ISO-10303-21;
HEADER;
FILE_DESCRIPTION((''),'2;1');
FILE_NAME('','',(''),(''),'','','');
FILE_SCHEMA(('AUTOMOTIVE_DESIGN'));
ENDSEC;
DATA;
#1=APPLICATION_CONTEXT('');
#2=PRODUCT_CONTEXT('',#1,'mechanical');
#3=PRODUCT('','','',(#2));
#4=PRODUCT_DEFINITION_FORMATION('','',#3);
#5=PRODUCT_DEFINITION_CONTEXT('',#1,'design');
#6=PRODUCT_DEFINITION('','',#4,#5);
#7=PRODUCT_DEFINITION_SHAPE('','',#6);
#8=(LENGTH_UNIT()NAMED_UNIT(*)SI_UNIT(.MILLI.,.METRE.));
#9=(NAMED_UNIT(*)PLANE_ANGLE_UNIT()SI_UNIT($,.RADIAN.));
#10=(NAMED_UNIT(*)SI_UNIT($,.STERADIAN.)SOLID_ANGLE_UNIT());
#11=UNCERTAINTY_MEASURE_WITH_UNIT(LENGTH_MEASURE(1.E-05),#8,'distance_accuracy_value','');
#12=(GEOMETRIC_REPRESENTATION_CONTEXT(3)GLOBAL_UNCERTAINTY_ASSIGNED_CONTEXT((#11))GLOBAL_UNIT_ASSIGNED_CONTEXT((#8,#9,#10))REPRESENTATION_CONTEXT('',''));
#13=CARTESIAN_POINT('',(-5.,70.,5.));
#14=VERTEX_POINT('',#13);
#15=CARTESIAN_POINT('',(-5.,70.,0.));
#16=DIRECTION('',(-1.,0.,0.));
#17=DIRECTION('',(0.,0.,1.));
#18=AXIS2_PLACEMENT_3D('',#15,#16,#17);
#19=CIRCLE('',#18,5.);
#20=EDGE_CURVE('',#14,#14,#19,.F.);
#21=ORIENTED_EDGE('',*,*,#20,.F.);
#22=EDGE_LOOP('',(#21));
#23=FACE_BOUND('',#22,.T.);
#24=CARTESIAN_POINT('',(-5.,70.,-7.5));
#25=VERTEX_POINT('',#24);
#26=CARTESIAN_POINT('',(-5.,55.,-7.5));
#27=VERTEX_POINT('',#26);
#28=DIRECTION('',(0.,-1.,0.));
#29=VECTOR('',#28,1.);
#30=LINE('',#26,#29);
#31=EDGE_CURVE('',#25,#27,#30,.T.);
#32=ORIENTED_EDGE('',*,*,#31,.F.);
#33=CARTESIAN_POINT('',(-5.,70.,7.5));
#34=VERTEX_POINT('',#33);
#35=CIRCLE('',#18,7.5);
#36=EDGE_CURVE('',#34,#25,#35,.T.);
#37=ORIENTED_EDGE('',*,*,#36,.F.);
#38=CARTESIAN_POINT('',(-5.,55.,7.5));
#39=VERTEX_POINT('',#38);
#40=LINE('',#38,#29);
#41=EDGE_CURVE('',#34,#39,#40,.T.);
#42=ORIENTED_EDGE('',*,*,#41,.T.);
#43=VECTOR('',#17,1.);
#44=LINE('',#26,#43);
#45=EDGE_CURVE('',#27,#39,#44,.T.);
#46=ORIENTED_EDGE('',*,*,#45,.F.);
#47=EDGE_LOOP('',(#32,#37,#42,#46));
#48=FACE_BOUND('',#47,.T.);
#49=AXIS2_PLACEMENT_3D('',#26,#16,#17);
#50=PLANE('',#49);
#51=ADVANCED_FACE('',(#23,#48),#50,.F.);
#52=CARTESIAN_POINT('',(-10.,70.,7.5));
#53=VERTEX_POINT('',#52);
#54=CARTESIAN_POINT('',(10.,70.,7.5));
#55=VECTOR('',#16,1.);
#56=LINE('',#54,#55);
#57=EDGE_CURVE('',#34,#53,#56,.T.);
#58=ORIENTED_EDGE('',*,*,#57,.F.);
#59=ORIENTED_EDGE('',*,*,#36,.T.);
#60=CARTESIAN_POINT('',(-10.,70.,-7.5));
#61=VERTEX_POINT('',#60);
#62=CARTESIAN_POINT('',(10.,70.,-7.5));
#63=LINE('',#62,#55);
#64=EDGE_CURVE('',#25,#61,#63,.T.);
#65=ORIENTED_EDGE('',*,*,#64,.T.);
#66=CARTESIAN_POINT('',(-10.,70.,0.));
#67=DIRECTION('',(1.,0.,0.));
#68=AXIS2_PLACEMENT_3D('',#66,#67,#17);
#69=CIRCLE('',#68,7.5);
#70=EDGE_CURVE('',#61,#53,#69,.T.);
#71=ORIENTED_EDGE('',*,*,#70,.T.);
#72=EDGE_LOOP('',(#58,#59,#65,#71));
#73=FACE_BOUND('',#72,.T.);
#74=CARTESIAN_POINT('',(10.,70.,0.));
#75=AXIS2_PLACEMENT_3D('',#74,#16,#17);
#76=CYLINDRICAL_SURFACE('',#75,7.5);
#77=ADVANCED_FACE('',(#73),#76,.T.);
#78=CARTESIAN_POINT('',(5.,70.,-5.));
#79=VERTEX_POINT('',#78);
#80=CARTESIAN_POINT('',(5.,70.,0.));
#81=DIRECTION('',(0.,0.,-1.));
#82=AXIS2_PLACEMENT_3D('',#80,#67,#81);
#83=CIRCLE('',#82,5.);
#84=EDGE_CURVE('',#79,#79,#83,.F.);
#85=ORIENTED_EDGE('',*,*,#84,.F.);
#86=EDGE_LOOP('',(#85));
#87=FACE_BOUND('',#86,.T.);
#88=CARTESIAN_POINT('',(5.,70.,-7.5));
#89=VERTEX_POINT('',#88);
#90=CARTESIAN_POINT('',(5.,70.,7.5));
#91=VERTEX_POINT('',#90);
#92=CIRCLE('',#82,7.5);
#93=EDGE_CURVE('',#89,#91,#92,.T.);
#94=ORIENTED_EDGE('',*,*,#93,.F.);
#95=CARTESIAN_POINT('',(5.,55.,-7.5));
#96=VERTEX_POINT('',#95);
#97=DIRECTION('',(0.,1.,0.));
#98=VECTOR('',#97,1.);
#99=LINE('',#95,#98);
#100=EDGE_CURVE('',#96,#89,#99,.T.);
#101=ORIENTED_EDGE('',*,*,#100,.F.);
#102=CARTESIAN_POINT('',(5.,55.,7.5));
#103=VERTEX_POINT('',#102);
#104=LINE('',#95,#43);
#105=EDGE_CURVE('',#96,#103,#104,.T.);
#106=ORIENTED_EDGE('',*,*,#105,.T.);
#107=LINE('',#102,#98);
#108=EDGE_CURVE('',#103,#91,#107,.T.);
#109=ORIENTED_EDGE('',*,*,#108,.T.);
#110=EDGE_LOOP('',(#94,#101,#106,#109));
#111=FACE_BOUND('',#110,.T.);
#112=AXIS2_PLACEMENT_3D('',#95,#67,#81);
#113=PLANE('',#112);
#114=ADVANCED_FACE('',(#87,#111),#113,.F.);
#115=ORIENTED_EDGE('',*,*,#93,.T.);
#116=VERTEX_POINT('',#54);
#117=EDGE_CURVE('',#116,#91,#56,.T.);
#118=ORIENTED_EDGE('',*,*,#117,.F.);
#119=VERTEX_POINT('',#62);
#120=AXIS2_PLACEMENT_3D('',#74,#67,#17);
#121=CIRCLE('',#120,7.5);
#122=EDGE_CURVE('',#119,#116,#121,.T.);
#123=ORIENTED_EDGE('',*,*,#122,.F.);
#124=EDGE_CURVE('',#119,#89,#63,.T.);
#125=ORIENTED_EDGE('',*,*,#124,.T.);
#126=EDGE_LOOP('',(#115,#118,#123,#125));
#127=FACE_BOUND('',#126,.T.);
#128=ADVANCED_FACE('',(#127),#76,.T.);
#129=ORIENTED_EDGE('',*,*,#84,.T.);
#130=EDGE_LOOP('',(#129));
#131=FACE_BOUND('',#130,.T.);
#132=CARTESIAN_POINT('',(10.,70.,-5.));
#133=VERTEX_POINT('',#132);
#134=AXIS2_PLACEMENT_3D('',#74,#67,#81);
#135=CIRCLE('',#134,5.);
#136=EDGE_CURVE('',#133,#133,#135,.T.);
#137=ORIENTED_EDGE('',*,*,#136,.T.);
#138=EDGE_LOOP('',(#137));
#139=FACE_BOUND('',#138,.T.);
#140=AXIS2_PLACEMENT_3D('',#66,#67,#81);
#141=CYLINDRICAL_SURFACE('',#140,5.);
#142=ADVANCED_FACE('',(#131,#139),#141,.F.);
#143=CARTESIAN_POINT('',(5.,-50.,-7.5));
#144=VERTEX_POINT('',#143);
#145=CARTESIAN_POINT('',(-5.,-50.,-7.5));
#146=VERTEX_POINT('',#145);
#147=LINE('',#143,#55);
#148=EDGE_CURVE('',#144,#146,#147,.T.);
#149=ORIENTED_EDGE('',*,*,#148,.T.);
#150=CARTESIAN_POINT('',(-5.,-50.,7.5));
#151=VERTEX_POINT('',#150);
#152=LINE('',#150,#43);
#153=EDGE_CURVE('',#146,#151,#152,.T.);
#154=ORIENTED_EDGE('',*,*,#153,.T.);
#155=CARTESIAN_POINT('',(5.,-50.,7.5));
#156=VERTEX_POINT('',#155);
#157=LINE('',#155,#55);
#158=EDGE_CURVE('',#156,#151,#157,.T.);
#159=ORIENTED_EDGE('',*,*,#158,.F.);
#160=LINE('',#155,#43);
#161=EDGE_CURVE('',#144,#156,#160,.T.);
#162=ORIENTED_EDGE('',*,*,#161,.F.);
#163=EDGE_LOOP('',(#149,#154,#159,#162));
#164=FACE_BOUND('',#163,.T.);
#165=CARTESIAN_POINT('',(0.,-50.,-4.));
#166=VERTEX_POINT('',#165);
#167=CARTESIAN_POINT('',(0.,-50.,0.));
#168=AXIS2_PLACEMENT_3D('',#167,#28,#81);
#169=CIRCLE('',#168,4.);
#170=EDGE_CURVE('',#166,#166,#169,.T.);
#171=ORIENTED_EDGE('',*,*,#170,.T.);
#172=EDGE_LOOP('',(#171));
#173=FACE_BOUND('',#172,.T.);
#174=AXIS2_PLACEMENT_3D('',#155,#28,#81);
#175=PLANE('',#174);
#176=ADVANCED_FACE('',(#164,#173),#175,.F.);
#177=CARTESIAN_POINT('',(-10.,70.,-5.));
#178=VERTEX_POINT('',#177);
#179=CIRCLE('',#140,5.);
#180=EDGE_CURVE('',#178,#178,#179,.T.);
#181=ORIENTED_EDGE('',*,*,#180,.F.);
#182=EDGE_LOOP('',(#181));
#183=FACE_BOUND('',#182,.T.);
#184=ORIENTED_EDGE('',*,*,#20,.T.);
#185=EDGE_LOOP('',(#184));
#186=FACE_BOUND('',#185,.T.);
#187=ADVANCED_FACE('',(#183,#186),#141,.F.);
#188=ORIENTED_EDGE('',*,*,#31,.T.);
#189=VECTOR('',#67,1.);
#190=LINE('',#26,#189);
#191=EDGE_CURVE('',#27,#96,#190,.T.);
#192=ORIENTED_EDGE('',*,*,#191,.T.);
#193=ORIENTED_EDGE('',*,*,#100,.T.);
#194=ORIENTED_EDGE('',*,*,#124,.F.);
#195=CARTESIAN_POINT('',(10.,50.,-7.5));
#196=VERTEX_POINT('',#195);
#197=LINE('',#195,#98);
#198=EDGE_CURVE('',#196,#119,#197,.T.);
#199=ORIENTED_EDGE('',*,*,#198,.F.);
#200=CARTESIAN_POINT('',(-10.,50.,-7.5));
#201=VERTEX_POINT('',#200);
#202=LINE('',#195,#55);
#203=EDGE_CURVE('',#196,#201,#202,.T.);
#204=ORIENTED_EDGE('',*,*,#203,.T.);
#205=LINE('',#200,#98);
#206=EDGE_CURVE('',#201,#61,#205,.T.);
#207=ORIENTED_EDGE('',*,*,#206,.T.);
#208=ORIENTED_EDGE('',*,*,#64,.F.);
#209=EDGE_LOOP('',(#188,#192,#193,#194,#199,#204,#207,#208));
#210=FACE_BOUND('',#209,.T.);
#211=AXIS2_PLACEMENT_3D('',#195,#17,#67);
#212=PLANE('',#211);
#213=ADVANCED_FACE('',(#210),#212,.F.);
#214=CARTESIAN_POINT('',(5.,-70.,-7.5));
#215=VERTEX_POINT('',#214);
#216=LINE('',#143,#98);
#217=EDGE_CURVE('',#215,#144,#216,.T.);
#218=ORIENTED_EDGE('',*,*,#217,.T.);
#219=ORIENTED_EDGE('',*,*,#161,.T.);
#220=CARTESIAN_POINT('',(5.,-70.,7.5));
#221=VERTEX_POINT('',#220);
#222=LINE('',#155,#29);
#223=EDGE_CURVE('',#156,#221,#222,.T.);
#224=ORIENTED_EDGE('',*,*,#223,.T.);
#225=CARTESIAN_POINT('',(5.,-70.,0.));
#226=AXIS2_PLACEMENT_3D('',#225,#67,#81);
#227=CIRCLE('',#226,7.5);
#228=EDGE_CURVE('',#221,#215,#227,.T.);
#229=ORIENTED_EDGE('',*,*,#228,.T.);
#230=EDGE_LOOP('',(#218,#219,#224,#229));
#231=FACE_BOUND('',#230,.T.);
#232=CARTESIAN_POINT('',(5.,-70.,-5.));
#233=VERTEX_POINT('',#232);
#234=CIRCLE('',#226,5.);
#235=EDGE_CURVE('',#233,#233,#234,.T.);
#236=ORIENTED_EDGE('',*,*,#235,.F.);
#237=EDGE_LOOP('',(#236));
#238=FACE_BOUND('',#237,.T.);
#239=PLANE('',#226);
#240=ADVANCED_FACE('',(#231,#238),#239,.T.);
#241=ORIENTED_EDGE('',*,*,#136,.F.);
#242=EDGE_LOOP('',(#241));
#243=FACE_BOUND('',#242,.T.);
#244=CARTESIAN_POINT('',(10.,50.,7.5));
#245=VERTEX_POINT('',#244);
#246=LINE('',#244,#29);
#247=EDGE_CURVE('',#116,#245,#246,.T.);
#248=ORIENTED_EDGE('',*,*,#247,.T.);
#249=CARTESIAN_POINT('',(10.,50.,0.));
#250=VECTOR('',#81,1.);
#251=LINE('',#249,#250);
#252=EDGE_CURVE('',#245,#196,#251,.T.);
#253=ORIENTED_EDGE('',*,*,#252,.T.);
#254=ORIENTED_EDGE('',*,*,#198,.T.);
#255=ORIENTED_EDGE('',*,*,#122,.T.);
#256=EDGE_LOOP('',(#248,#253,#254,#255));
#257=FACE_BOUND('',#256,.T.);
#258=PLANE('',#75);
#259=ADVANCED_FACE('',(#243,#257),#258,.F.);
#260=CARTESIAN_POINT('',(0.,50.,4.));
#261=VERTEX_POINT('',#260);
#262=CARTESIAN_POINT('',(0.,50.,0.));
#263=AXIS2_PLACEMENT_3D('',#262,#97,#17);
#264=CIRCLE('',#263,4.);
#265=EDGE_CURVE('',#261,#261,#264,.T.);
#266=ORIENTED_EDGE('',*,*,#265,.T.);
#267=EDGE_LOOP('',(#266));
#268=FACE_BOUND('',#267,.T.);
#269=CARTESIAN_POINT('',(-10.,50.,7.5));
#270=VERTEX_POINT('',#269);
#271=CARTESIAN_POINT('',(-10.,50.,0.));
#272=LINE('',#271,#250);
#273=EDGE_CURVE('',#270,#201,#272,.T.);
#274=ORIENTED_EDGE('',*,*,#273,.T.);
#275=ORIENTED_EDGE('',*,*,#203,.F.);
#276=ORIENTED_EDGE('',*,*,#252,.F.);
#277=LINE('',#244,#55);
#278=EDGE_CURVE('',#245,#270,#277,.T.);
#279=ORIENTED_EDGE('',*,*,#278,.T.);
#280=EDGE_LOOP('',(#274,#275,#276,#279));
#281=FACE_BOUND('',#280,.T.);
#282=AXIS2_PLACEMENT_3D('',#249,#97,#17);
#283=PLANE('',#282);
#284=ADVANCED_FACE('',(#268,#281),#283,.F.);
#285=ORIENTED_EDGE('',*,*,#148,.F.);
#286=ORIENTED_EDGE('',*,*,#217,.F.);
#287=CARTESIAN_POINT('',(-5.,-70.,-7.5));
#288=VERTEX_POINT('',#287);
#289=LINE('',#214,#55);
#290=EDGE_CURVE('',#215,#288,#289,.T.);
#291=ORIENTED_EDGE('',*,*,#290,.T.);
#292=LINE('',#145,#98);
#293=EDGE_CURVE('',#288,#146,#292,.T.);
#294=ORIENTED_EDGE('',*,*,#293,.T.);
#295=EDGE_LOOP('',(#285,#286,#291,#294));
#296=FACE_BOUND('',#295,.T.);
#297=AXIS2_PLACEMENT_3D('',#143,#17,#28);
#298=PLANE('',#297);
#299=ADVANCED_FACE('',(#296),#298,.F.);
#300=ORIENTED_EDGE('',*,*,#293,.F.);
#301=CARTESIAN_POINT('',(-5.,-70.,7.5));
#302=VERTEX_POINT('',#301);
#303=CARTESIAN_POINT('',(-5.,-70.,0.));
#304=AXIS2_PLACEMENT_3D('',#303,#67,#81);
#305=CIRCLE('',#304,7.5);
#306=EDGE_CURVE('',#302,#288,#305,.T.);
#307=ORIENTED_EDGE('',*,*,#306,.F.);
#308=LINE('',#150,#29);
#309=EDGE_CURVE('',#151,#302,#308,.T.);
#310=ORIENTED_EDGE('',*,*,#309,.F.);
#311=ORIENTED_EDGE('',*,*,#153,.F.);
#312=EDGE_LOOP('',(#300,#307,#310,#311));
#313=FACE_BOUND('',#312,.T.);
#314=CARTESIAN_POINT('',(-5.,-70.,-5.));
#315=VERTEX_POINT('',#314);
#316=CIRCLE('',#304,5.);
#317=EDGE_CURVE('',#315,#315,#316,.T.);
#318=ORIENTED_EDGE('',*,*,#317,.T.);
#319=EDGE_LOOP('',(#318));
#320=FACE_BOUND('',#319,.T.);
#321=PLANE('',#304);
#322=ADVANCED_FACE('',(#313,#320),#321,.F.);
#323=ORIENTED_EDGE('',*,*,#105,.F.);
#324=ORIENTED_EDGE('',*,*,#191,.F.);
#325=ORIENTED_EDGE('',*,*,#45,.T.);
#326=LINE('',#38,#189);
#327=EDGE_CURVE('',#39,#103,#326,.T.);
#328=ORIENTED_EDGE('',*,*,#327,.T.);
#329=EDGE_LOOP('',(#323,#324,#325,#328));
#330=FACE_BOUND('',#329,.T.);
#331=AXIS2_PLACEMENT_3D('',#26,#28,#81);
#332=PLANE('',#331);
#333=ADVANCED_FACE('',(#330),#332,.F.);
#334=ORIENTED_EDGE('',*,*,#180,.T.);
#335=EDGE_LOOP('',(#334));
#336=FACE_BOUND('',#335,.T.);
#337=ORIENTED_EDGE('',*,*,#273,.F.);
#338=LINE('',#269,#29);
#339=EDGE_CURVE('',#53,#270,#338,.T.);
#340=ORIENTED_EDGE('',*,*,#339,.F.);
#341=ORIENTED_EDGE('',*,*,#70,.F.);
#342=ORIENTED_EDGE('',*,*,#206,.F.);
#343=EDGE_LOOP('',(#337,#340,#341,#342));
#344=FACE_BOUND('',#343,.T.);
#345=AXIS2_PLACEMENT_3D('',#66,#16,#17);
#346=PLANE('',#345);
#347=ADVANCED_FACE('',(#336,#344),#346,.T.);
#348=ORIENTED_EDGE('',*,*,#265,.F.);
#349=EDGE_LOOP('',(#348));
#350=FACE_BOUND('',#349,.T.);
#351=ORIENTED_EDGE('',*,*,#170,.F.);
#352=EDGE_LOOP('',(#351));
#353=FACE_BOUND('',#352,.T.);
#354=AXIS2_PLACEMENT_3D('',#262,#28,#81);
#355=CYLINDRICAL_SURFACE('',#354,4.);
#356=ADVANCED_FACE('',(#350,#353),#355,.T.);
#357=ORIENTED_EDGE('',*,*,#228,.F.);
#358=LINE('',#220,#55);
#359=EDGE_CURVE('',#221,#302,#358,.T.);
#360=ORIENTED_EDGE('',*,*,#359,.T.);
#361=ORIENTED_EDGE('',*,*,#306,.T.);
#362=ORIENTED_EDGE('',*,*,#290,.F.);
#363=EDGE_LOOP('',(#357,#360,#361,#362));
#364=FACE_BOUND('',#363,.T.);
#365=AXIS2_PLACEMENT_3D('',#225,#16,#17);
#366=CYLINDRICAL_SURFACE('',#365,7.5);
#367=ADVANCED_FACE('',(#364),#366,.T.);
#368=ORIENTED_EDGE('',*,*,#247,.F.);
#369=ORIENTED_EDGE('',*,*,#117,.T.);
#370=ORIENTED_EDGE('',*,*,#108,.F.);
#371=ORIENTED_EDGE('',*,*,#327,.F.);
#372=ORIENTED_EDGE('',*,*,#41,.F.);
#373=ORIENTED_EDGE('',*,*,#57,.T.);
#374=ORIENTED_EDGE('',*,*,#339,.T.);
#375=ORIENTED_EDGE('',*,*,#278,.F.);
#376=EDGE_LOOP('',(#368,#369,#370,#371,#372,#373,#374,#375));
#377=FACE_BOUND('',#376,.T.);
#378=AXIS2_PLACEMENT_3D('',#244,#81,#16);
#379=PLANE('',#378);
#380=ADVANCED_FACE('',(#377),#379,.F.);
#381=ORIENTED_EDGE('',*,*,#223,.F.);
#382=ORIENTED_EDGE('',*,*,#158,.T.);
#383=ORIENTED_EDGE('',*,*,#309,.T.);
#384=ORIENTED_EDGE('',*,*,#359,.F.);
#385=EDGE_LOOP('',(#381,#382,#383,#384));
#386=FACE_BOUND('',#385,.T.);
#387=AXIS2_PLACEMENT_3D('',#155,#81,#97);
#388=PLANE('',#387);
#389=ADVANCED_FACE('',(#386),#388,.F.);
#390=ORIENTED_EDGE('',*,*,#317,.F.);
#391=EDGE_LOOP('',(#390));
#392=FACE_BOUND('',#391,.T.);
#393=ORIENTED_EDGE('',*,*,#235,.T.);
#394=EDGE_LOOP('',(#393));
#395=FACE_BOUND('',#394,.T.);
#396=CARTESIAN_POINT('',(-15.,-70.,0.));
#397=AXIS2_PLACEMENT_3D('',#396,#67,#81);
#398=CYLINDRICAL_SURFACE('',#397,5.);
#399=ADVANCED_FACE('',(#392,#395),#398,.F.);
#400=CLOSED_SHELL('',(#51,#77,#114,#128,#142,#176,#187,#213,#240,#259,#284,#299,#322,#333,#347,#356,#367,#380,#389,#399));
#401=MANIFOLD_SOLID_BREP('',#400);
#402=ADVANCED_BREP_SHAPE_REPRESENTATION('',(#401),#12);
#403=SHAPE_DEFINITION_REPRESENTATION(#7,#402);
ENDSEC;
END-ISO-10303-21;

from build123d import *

# Parameters (mm, degrees)
SKETCH1_R           = 4
BOSS_EXTRUDE1_DEPTH = 50
BOSS_EXTRUDE2_DEPTH = 10
SKETCH3_R           = 5
CUT_EXTRUDE1_DEPTH  = 21
SKETCH4_W           = 10
SKETCH4_H           = 22.5
CUT_EXTRUDE2_DEPTH  = 16
BOSS_EXTRUDE3_DEPTH = 5
SKETCH6_R           = 5
CUT_EXTRUDE3_DEPTH  = 20


with BuildPart() as part:
    # Sketch1 → Boss-Extrude1 (new body, symmetric)
    with BuildSketch(Plane(origin=(0, 0, 0), x_dir=(1, 0, 0), z_dir=(0, 1, 0))):
        Circle(SKETCH1_R)
    extrude(amount=BOSS_EXTRUDE1_DEPTH, both=True)

    # Sketch2 → Boss-Extrude2 (add, symmetric)
    with BuildSketch(Plane(origin=(0, 0, 0), x_dir=(0, 0, -1), z_dir=(1, 0, 0))):
        with BuildLine():
            Line((0, 50), (7.5, 50))
            Line((7.5, 50), (7.5, 70))
            ThreePointArc((7.5, 70), (0, 77.5), (-7.5, 70))
            Line((-7.5, 70), (-7.5, 50))
            Line((-7.5, 50), (0, 50))
        make_face()
    extrude(amount=BOSS_EXTRUDE2_DEPTH, both=True)

    # Sketch3 → Cut-Extrude1 (cut, through all)
    with BuildSketch(Plane(origin=(10, 0, 0), x_dir=(0, 0, -1), z_dir=(1, 0, 0))):
        with Locations((0, 70)):
            Circle(SKETCH3_R)
    extrude(amount=-CUT_EXTRUDE1_DEPTH, mode=Mode.SUBTRACT)

    # Sketch4 → Cut-Extrude2 (cut, through all)
    with BuildSketch(Plane.XY.offset(7.5)):
        with Locations((0, 66.25)):
            Rectangle(SKETCH4_W, SKETCH4_H)
    extrude(amount=-CUT_EXTRUDE2_DEPTH, mode=Mode.SUBTRACT)

    # Sketch5 → Boss-Extrude3 (add, symmetric)
    with BuildSketch(Plane(origin=(0, 0, 0), x_dir=(0, 0, -1), z_dir=(1, 0, 0))):
        with BuildLine():
            Line((-7.5, -50), (7.5, -50))
            Line((7.5, -50), (7.5, -70))
            ThreePointArc((7.5, -70), (0, -77.5), (-7.5, -70))
            Line((-7.5, -70), (-7.5, -50))
        make_face()
    extrude(amount=BOSS_EXTRUDE3_DEPTH, both=True)

    # Sketch6 → Cut-Extrude3 (cut)
    with BuildSketch(Plane(origin=(5, 0, 0), x_dir=(0, 0, -1), z_dir=(1, 0, 0))):
        with Locations((0, -70)):
            Circle(SKETCH6_R)
    extrude(amount=-CUT_EXTRUDE3_DEPTH, mode=Mode.SUBTRACT)


solid = part.part
